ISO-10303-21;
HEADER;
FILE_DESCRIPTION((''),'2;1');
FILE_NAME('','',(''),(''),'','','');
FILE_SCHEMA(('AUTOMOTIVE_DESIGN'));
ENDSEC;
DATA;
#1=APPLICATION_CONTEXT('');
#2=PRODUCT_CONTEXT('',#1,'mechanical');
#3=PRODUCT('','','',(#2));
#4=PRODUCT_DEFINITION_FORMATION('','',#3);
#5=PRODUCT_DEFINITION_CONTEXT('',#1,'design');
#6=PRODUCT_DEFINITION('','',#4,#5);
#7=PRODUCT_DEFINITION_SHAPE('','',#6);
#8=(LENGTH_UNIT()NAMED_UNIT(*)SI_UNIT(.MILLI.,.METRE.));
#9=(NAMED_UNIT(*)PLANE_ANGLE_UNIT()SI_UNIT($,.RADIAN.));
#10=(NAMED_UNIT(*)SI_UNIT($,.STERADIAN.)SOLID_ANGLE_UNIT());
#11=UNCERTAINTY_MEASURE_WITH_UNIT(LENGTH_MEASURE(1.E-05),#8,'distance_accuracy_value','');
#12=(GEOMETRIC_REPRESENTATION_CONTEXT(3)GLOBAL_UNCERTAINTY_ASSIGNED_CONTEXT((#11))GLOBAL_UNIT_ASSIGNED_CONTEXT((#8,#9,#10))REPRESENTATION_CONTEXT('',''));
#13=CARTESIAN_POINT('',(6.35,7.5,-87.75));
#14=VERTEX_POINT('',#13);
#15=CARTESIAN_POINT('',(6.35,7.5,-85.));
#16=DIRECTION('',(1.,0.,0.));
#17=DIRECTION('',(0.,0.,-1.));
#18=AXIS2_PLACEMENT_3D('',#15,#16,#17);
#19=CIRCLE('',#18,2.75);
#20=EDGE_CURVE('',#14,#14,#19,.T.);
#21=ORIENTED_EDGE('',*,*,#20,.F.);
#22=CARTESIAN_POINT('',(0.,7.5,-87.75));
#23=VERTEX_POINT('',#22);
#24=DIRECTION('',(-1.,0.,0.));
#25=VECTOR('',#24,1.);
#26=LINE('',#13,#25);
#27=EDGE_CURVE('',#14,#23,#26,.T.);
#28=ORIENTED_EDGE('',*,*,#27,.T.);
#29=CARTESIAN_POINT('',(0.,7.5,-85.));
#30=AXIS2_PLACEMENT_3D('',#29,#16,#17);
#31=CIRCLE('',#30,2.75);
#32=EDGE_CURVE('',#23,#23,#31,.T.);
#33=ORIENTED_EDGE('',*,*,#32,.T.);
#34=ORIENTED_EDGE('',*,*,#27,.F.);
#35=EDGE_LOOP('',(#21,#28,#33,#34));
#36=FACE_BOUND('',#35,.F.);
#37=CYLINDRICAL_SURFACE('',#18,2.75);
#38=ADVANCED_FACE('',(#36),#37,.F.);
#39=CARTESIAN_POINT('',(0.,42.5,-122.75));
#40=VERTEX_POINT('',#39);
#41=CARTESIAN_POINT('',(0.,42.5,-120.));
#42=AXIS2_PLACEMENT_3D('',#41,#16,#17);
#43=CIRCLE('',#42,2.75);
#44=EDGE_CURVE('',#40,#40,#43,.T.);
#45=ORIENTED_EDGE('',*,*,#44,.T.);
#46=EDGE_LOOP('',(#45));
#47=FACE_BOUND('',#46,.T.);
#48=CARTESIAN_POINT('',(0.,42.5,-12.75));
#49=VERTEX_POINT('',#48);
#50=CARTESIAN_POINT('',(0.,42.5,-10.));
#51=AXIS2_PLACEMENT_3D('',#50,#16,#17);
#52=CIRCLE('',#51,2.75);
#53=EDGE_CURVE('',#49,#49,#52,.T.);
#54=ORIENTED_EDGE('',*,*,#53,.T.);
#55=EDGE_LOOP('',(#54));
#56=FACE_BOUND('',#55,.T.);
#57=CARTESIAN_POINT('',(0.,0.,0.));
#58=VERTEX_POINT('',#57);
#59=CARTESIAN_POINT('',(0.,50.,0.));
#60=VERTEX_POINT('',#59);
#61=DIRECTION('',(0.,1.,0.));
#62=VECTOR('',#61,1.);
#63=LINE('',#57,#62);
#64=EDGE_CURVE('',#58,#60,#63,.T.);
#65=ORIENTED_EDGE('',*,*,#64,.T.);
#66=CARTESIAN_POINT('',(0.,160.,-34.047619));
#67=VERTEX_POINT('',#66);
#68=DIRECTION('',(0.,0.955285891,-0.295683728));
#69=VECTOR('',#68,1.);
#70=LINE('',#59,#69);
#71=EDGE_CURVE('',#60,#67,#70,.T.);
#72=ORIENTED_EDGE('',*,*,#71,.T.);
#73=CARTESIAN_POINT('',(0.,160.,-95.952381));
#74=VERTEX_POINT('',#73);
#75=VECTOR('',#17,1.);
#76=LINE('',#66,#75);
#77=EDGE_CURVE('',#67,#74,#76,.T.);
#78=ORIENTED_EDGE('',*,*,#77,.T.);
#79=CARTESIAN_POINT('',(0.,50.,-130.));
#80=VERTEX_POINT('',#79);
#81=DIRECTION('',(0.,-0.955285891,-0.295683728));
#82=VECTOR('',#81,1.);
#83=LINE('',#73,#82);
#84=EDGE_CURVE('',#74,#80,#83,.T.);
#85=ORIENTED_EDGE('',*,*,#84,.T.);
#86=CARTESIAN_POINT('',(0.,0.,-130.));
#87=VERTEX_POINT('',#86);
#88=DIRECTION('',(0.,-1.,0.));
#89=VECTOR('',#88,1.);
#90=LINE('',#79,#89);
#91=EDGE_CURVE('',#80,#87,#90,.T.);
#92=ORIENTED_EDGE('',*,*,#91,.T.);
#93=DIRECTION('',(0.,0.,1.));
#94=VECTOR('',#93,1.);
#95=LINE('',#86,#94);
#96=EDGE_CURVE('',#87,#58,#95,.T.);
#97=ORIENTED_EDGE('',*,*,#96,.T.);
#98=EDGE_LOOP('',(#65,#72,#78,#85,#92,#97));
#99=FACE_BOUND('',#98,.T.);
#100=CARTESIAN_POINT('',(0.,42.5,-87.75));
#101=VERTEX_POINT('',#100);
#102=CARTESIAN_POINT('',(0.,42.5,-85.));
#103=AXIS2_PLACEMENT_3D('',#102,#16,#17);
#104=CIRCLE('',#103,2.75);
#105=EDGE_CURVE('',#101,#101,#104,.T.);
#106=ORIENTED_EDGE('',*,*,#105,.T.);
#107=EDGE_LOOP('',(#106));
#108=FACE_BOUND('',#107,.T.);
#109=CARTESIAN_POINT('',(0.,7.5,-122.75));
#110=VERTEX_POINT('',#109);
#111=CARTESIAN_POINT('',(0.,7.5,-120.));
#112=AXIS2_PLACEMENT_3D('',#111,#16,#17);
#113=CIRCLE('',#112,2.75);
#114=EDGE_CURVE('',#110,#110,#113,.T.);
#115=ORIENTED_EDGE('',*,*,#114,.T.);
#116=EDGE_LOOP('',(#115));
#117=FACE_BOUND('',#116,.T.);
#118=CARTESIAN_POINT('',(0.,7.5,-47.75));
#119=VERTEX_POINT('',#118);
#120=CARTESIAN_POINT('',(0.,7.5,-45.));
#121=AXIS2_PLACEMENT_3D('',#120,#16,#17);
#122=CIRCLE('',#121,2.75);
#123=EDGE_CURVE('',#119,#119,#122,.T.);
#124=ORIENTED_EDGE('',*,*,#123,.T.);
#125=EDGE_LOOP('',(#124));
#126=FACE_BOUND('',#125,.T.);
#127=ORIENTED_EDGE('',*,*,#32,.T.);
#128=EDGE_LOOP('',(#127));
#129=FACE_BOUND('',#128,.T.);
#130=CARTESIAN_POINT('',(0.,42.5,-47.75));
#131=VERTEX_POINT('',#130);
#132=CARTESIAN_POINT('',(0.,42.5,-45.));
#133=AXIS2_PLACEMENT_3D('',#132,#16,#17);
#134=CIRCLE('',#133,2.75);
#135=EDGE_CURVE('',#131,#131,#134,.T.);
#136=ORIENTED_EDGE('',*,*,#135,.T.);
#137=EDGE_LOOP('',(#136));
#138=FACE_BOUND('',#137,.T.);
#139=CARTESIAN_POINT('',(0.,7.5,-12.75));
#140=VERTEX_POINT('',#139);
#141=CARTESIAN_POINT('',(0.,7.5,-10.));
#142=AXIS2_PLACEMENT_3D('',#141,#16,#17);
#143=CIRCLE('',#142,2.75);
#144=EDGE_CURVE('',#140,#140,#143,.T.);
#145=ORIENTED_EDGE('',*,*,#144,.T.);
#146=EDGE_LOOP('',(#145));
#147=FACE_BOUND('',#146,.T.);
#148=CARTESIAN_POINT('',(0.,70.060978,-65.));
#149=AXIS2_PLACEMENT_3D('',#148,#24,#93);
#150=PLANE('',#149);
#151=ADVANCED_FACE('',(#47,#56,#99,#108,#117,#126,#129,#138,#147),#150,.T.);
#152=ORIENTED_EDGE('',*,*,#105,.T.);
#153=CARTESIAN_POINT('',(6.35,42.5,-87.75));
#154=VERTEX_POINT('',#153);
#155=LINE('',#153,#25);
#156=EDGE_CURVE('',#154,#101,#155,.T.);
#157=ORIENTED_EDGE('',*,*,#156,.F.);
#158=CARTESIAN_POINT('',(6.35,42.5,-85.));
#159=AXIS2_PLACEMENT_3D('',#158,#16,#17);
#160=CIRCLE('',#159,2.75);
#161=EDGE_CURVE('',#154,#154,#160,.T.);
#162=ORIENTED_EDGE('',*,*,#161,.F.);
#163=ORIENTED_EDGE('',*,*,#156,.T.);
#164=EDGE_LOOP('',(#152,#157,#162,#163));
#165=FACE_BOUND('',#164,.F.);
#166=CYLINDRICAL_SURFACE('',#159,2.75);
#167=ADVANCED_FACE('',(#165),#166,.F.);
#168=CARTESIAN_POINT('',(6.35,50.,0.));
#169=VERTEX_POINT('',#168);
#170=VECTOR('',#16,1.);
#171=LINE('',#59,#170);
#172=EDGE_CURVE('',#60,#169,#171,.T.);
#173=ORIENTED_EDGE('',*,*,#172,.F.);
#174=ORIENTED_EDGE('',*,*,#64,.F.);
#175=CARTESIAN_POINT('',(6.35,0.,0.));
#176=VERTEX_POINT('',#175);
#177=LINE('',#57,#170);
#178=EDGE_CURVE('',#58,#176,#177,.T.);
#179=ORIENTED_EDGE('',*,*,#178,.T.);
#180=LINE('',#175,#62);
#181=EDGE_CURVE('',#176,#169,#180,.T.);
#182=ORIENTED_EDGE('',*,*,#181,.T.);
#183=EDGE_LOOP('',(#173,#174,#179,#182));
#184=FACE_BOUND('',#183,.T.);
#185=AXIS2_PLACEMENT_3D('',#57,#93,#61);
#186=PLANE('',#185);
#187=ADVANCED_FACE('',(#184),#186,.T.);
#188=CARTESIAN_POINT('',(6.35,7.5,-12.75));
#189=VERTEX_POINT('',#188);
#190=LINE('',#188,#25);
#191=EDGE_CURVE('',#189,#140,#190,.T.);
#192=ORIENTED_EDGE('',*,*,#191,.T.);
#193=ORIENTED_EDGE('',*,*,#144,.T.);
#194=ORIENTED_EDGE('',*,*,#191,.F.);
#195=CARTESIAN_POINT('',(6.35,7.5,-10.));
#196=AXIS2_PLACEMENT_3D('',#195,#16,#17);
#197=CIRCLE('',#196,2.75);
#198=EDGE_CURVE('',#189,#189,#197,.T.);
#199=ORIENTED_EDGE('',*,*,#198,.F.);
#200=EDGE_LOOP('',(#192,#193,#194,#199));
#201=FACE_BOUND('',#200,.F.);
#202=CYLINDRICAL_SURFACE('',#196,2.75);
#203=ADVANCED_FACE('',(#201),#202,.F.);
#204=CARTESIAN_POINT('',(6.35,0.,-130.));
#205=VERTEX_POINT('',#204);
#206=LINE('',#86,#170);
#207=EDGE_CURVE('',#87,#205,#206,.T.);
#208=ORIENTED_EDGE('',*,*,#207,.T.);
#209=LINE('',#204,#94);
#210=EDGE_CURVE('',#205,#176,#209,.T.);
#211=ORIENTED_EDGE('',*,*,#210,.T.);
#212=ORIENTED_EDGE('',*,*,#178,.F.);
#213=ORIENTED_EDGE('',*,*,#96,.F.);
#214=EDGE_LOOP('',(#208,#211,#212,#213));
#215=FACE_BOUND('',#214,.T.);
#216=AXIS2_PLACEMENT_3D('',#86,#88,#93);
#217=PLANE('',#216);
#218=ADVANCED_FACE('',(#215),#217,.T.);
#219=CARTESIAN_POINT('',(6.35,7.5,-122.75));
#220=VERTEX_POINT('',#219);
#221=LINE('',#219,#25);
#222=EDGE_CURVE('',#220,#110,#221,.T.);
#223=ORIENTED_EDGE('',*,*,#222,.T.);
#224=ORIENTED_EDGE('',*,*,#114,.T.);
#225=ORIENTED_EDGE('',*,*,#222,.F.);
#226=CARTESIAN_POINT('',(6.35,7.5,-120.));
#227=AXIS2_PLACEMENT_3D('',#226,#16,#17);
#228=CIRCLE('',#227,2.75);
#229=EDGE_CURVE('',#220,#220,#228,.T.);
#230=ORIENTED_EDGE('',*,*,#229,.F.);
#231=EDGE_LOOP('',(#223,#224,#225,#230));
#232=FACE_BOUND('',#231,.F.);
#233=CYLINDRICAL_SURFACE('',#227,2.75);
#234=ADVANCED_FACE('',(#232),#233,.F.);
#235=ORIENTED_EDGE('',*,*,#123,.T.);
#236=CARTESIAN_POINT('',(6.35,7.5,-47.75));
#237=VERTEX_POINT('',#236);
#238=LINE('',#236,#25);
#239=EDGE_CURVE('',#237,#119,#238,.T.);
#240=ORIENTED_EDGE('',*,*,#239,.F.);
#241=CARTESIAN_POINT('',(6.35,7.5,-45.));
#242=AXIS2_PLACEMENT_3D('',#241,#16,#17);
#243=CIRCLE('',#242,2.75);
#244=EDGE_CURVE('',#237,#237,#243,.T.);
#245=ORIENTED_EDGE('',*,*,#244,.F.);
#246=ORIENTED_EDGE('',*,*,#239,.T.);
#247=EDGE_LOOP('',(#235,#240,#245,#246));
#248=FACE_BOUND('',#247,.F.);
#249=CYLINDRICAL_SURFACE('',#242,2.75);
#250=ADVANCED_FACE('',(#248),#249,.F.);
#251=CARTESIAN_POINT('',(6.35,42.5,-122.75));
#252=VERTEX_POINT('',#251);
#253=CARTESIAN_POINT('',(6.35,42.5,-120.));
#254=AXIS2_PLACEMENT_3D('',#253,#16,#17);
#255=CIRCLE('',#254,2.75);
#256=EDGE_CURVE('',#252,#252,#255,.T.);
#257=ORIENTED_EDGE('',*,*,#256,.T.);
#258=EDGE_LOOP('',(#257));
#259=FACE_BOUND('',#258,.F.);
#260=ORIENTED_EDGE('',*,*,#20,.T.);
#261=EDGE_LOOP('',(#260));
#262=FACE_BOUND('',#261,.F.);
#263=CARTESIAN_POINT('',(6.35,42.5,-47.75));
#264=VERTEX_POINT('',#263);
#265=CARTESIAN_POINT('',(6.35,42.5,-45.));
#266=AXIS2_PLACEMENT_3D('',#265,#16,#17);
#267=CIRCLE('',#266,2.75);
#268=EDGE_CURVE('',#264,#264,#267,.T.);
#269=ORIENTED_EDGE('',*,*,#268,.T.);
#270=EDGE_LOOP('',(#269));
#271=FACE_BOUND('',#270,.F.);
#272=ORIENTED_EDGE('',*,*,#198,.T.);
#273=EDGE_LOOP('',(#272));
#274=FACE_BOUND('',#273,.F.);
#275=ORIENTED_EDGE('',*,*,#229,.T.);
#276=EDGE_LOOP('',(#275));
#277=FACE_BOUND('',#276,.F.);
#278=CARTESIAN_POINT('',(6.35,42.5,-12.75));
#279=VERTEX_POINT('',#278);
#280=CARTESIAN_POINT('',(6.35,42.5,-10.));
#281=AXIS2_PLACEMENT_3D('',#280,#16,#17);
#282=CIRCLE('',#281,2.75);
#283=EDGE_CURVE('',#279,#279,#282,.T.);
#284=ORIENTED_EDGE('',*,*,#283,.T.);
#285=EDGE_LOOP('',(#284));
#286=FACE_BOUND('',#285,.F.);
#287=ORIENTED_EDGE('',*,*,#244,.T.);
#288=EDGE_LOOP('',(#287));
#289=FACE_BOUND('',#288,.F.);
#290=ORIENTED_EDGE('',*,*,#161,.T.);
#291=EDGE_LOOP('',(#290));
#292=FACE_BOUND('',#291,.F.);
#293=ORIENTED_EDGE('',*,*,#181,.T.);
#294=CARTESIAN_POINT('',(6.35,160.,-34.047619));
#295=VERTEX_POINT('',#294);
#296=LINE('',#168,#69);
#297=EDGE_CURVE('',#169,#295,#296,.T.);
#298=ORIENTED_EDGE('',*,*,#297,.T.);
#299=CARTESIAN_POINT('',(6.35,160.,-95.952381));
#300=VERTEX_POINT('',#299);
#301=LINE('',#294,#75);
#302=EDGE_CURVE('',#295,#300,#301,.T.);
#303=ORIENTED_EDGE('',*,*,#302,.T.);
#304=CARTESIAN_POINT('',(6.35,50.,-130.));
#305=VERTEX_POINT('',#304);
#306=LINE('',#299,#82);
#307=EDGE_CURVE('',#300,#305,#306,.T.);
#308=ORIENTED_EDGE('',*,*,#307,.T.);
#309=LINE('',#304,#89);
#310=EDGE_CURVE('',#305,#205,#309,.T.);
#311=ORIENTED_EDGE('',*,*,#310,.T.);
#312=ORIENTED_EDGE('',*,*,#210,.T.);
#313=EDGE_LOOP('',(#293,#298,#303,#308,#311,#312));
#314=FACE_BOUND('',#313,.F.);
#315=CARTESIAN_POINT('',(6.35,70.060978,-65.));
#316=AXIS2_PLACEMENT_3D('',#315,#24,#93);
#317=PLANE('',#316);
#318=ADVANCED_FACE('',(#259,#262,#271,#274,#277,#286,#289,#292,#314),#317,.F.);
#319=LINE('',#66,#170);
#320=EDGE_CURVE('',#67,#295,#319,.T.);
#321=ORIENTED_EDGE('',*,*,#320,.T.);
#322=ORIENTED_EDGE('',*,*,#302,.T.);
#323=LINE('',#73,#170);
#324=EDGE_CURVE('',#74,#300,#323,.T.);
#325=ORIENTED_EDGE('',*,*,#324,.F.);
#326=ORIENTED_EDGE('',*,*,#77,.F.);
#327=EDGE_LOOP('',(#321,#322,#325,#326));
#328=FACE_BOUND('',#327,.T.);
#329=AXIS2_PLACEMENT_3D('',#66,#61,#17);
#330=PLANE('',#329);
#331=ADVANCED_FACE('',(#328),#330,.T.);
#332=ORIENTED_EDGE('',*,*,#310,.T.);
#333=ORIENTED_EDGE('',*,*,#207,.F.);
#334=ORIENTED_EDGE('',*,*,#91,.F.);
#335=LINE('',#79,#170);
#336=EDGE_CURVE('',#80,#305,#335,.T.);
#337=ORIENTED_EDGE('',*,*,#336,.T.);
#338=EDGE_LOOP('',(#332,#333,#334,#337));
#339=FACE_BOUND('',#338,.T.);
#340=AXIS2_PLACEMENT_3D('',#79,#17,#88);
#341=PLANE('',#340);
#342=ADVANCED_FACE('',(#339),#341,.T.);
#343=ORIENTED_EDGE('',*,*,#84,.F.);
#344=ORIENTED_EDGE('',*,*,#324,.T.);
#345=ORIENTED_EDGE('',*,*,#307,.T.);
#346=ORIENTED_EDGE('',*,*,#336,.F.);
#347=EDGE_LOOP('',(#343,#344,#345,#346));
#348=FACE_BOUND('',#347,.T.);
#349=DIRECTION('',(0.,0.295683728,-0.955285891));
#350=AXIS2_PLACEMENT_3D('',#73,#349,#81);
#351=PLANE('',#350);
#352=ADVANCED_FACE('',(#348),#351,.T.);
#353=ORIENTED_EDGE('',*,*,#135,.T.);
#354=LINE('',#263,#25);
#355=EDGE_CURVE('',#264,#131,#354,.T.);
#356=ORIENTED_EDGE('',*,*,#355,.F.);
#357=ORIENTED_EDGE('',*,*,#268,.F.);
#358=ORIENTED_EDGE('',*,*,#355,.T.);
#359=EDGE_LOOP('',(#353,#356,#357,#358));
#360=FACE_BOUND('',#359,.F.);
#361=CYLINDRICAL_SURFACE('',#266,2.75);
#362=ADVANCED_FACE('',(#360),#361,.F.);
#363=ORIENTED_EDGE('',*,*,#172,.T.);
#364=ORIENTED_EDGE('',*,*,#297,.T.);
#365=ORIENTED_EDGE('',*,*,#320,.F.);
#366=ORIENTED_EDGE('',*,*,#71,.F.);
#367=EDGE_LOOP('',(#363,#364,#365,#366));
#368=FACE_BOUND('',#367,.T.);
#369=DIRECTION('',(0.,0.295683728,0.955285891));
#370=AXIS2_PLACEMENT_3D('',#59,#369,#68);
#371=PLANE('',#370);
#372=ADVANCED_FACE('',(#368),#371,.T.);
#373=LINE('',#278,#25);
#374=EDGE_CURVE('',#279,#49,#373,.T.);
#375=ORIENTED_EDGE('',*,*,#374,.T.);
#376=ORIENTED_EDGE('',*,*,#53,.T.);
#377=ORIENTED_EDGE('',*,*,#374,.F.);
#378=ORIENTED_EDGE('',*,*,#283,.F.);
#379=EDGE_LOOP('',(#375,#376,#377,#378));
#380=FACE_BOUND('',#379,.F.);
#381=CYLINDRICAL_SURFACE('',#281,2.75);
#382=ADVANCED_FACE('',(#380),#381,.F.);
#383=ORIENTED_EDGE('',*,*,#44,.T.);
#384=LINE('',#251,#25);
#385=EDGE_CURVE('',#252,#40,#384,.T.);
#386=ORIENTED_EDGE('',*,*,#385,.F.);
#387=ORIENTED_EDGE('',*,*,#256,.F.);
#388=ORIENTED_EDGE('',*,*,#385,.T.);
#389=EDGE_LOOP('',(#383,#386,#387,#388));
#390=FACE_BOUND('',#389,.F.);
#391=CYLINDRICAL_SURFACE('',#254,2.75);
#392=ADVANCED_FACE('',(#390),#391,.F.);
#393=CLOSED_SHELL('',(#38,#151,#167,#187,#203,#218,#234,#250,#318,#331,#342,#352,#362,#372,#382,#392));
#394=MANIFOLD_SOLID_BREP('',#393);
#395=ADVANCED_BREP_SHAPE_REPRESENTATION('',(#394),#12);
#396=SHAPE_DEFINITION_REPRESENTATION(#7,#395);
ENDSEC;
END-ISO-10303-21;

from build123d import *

# Parameters (mm, degrees)
BOSS_EXTRUDE1_DEPTH = 6.35
SKETCH3_R           = 2.75
CUT_EXTRUDE1_DEPTH  = 7.35


with BuildPart() as part:
    # Sketch2 → Boss-Extrude1 (new body)
    with BuildSketch(Plane(origin=(0, 0, 0), x_dir=(0, 0, -1), z_dir=(1, 0, 0))):
        Polygon((34.047619048, 160), (95.952380952, 160), (130, 50), (130, 0), (0, 0), (0, 50), align=None)
    extrude(amount=BOSS_EXTRUDE1_DEPTH)

    # Sketch3 → Cut-Extrude1 (cut, through all)
    with BuildSketch(Plane(origin=(6.35, 0, 0), x_dir=(0, 0, -1), z_dir=(1, 0, 0))):
        with Locations((10, 42.5)):
            Circle(SKETCH3_R)
        with Locations((45, 42.5)):
            Circle(SKETCH3_R)
        with Locations((10, 7.5)):
            Circle(SKETCH3_R)
        with Locations((45, 7.5)):
            Circle(SKETCH3_R)
        with Locations((120, 7.5)):
            Circle(SKETCH3_R)
        with Locations((85, 7.5)):
            Circle(SKETCH3_R)
        with Locations((85, 42.5)):
            Circle(SKETCH3_R)
        with Locations((120, 42.5)):
            Circle(SKETCH3_R)
    extrude(amount=-CUT_EXTRUDE1_DEPTH, mode=Mode.SUBTRACT)


solid = part.part
